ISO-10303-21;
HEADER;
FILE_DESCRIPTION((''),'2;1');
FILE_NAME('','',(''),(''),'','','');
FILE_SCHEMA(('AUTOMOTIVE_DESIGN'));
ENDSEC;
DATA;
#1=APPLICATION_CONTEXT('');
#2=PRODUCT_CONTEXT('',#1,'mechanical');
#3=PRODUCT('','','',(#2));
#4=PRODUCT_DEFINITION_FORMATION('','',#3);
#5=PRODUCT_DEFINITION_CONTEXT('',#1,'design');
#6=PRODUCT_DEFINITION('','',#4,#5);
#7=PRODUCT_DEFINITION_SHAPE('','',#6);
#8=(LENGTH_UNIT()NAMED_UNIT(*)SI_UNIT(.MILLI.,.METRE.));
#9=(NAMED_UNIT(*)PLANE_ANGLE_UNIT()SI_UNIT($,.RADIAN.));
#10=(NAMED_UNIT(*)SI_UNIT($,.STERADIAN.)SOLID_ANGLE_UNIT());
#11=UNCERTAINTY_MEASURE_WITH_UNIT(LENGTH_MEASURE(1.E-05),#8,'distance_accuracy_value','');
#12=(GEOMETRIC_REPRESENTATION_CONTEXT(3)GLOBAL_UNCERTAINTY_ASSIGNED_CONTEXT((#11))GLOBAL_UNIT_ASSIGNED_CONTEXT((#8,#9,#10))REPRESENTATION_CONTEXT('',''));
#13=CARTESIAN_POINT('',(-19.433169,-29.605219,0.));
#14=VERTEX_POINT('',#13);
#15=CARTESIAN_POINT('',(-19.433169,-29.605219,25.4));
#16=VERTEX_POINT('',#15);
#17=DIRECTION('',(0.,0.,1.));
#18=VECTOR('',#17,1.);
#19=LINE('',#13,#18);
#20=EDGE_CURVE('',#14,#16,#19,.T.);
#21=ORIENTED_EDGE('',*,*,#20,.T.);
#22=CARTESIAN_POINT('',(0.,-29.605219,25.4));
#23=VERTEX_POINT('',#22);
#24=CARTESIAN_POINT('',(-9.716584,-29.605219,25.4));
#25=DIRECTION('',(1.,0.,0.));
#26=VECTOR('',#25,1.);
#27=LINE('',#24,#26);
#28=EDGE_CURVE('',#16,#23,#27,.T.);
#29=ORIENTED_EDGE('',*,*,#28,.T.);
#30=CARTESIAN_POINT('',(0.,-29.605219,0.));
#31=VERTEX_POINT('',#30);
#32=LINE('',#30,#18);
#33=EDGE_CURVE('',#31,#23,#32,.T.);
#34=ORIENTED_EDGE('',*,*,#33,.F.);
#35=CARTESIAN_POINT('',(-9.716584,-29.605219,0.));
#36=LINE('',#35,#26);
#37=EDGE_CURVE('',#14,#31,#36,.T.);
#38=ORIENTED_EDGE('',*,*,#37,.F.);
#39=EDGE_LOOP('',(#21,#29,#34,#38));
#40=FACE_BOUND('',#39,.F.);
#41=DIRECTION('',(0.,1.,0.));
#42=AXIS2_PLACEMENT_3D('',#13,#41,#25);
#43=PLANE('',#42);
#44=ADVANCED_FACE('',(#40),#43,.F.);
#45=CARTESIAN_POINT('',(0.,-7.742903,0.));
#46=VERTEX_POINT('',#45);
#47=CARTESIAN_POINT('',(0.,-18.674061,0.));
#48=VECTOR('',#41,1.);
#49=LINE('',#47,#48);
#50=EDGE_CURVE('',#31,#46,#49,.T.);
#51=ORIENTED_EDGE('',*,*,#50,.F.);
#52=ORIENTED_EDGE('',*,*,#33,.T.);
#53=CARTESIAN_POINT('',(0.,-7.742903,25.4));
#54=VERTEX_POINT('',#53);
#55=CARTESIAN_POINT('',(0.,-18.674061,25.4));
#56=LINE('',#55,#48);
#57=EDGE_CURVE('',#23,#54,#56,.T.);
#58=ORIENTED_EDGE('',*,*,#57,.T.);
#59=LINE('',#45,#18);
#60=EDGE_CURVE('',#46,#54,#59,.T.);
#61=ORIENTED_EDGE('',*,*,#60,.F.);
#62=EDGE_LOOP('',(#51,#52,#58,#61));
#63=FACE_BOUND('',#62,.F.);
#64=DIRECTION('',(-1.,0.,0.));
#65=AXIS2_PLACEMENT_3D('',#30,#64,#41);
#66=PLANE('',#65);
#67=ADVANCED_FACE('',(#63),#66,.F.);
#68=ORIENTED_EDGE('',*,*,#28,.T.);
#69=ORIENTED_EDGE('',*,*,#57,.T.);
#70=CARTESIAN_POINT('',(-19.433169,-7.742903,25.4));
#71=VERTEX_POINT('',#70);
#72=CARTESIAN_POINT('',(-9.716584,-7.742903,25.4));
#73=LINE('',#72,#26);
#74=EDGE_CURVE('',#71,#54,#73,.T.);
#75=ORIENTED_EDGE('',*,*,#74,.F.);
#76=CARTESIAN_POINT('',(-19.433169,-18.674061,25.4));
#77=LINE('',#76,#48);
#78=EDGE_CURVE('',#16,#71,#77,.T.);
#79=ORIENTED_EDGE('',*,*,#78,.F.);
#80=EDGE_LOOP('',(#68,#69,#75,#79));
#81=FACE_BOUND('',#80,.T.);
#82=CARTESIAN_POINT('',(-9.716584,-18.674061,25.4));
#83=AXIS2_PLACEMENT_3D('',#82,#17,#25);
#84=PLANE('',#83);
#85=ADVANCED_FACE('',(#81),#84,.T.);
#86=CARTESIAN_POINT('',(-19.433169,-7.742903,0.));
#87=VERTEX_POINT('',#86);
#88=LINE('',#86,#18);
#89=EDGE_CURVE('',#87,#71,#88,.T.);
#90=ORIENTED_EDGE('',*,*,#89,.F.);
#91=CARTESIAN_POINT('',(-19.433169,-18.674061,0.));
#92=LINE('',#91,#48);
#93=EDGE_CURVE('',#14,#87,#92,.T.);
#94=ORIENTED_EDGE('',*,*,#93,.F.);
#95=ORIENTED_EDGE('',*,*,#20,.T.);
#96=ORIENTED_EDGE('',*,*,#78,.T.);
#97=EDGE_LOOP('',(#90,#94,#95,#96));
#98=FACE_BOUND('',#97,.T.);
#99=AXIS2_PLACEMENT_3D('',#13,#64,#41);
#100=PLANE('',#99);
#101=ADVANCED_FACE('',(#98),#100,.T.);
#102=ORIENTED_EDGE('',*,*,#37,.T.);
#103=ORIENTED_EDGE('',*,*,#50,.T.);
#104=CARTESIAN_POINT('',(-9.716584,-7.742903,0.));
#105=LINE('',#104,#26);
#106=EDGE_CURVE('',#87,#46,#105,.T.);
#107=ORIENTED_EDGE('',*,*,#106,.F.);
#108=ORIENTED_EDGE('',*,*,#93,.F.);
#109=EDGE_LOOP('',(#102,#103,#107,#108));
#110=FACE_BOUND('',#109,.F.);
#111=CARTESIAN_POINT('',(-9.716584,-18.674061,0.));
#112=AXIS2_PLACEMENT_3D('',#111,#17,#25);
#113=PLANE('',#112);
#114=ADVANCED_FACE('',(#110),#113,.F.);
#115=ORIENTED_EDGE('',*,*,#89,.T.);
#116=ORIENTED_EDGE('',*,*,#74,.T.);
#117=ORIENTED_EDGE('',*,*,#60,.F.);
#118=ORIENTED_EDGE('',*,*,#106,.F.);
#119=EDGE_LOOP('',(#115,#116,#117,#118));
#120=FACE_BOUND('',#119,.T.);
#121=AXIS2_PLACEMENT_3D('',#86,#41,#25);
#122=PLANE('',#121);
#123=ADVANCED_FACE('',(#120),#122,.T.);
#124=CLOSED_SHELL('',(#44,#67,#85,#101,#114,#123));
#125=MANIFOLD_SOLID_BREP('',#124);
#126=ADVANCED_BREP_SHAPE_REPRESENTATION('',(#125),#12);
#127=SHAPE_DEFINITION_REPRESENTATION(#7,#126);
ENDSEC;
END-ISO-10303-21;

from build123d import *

# Parameters (mm, degrees)
F0_W     = 39.1732295975
F0_H     = 34.004369285
F1_DEPTH = 25.4
F3_W     = 19.4331686944
F3_H     = 21.8623159453
F4_DEPTH = 25.4


with BuildPart() as f1:
    # F0 (on Top) → F1 (new body)
    with BuildSketch(Plane.XY):
        with Locations((-31.1264027841, 23.8298953045)):
            Rectangle(F0_W, F0_H)
    extrude(amount=F1_DEPTH)


with BuildPart() as f4:
    # F3 (on Top) → F4 (new body)
    with BuildSketch(Plane.XY):
        with Locations((-9.7165843472, -18.674061168)):
            Rectangle(F3_W, F3_H)
    extrude(amount=F4_DEPTH)


solid = f4.part
